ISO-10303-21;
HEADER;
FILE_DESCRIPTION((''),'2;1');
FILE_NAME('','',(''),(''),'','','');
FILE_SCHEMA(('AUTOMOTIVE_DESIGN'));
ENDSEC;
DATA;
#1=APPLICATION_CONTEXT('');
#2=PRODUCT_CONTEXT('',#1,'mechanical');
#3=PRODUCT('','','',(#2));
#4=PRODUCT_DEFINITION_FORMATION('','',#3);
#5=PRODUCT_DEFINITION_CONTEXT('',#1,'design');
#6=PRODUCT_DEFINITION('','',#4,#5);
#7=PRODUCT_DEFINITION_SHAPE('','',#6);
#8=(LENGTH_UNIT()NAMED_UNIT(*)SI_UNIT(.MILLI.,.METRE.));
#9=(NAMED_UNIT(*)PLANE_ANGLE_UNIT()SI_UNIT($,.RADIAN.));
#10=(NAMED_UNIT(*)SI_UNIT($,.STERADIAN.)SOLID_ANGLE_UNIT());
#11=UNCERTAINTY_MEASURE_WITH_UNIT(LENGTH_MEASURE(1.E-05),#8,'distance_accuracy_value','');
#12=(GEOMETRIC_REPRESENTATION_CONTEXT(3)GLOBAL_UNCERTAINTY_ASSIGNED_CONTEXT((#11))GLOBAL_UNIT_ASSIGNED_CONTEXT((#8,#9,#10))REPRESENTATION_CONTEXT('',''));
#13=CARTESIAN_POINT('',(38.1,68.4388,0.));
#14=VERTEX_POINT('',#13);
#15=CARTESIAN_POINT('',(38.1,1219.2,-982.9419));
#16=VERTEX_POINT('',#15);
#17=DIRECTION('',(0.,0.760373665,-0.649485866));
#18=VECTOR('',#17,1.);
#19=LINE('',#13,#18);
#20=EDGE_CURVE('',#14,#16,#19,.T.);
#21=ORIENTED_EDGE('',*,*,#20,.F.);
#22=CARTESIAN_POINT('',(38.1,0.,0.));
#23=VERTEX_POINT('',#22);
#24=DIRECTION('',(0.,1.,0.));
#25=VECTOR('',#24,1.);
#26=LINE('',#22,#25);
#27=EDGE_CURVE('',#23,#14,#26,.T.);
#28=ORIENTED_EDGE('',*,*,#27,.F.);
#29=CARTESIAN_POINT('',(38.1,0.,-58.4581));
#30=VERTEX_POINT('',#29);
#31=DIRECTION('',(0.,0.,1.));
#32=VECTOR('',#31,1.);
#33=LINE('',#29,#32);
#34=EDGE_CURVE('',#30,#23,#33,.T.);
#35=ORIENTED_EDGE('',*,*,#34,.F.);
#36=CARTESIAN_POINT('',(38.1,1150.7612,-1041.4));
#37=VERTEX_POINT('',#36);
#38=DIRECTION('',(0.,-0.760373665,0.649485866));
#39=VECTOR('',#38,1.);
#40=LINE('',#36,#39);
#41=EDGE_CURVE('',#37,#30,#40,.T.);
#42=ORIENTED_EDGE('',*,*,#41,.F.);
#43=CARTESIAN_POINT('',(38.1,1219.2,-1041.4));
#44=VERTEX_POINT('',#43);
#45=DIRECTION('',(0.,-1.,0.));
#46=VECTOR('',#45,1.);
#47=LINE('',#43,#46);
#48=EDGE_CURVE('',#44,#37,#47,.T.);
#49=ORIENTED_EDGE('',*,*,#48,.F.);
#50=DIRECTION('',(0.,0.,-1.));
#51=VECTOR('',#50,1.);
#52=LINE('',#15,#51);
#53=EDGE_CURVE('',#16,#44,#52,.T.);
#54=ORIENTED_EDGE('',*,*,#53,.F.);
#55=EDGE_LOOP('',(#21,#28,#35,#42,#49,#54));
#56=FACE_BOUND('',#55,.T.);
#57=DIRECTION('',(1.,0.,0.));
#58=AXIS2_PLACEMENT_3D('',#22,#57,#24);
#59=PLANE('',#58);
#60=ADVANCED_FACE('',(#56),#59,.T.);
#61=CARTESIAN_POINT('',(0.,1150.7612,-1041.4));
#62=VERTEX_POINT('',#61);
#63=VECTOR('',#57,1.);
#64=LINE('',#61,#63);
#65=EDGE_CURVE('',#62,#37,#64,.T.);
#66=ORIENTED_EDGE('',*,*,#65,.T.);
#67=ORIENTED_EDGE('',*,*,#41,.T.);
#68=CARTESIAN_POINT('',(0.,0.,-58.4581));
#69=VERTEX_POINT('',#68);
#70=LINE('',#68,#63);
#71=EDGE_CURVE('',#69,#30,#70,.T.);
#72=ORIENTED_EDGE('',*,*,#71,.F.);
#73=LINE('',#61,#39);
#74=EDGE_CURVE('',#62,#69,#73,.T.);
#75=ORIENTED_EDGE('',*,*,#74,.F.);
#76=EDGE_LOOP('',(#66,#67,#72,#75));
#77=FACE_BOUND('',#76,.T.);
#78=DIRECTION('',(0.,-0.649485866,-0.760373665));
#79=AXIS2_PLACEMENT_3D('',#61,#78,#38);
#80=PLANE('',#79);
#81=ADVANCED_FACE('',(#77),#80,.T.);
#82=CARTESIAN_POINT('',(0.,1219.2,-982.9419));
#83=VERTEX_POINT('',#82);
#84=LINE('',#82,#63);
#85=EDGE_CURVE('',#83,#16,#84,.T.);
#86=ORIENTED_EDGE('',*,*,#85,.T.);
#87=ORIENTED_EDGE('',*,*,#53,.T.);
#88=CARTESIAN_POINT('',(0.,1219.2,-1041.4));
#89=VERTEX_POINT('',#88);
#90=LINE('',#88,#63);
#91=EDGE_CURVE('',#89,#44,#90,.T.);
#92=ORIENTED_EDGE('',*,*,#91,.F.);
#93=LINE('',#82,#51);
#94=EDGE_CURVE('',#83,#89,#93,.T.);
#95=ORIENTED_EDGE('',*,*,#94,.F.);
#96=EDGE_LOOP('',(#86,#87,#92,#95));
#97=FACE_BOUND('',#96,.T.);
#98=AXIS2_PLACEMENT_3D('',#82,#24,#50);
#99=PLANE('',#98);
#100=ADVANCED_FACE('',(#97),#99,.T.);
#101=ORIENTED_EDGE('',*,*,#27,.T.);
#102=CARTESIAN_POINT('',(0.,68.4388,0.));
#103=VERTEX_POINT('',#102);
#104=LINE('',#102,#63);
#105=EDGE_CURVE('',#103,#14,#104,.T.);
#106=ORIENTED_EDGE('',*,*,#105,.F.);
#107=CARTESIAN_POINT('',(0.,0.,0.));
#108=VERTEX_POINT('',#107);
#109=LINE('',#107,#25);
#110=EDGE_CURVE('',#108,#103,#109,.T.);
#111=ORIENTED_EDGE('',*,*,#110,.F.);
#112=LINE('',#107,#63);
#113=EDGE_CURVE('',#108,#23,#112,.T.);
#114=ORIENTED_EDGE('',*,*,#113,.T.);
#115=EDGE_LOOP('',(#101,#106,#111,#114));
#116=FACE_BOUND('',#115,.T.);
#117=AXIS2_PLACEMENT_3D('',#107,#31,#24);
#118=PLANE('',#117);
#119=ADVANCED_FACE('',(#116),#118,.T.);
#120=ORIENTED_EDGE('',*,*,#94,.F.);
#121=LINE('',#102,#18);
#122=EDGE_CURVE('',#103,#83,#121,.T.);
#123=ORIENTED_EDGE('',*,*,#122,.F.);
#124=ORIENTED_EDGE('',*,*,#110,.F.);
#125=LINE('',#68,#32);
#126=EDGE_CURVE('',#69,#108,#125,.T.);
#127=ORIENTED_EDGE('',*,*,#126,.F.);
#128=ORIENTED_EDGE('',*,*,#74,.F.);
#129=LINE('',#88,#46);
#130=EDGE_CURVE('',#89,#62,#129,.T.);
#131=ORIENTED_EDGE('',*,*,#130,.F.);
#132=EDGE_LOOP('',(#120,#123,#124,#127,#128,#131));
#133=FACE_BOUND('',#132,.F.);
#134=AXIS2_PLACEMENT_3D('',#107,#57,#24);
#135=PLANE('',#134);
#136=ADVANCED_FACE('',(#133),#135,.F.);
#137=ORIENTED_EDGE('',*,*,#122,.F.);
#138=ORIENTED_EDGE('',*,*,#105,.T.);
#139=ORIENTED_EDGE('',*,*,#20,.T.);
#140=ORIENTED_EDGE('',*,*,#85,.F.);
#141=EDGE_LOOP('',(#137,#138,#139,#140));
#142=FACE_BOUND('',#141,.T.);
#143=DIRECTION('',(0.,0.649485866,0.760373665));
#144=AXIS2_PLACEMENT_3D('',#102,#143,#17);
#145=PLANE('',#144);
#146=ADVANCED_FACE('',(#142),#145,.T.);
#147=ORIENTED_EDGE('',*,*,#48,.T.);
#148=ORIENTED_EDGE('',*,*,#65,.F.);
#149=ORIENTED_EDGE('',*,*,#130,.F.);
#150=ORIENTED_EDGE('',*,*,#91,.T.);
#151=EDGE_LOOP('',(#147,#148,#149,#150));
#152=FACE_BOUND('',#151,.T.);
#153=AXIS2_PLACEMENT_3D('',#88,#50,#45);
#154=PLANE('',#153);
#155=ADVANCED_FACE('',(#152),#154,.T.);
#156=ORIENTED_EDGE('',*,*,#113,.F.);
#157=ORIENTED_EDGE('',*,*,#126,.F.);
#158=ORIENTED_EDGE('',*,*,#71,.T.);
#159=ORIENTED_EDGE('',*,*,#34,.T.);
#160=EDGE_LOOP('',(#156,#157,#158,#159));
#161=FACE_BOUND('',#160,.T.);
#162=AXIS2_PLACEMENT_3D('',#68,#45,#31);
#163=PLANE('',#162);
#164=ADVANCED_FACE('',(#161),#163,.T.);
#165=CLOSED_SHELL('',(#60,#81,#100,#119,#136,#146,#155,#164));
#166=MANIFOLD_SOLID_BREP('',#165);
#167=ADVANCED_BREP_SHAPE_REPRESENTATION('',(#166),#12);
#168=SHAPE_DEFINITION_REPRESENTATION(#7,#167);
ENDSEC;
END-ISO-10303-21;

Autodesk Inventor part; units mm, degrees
ref_plane "YZ Plane" through (0, 0, 0) normal (1, 0, 0) x (0, 1, 0)
ref_plane "XZ Plane" through (0, 0, 0) normal (0, 1, 0) x (-1, 0, 0)
ref_plane "XY Plane" through (0, 0, 0) normal (0, 0, 1) x (1, 0, 0)
sketch "Sketch1" plane through (0, 0, 0) normal (1, 0, 0) x (0, 1, 0)
  line L0 (0, 0) -> (68.4388, 0)
  line L1 (1219.2, -1041.4) -> (1150.7612, -1041.4)
  line L2 (1150.7612, -1041.4) -> (0, -58.4581)
  line L3 (1219.2, -982.9419) -> (1219.2, -1041.4)
  line L4 (68.4388, 0) -> (1219.2, -982.9419)
  line L5 (0, -58.4581) -> (0, 0)
extrude "Extrusion1" add sketch "Sketch1" along normal blind 38.1
properties part number "S_2x4x63.13"
